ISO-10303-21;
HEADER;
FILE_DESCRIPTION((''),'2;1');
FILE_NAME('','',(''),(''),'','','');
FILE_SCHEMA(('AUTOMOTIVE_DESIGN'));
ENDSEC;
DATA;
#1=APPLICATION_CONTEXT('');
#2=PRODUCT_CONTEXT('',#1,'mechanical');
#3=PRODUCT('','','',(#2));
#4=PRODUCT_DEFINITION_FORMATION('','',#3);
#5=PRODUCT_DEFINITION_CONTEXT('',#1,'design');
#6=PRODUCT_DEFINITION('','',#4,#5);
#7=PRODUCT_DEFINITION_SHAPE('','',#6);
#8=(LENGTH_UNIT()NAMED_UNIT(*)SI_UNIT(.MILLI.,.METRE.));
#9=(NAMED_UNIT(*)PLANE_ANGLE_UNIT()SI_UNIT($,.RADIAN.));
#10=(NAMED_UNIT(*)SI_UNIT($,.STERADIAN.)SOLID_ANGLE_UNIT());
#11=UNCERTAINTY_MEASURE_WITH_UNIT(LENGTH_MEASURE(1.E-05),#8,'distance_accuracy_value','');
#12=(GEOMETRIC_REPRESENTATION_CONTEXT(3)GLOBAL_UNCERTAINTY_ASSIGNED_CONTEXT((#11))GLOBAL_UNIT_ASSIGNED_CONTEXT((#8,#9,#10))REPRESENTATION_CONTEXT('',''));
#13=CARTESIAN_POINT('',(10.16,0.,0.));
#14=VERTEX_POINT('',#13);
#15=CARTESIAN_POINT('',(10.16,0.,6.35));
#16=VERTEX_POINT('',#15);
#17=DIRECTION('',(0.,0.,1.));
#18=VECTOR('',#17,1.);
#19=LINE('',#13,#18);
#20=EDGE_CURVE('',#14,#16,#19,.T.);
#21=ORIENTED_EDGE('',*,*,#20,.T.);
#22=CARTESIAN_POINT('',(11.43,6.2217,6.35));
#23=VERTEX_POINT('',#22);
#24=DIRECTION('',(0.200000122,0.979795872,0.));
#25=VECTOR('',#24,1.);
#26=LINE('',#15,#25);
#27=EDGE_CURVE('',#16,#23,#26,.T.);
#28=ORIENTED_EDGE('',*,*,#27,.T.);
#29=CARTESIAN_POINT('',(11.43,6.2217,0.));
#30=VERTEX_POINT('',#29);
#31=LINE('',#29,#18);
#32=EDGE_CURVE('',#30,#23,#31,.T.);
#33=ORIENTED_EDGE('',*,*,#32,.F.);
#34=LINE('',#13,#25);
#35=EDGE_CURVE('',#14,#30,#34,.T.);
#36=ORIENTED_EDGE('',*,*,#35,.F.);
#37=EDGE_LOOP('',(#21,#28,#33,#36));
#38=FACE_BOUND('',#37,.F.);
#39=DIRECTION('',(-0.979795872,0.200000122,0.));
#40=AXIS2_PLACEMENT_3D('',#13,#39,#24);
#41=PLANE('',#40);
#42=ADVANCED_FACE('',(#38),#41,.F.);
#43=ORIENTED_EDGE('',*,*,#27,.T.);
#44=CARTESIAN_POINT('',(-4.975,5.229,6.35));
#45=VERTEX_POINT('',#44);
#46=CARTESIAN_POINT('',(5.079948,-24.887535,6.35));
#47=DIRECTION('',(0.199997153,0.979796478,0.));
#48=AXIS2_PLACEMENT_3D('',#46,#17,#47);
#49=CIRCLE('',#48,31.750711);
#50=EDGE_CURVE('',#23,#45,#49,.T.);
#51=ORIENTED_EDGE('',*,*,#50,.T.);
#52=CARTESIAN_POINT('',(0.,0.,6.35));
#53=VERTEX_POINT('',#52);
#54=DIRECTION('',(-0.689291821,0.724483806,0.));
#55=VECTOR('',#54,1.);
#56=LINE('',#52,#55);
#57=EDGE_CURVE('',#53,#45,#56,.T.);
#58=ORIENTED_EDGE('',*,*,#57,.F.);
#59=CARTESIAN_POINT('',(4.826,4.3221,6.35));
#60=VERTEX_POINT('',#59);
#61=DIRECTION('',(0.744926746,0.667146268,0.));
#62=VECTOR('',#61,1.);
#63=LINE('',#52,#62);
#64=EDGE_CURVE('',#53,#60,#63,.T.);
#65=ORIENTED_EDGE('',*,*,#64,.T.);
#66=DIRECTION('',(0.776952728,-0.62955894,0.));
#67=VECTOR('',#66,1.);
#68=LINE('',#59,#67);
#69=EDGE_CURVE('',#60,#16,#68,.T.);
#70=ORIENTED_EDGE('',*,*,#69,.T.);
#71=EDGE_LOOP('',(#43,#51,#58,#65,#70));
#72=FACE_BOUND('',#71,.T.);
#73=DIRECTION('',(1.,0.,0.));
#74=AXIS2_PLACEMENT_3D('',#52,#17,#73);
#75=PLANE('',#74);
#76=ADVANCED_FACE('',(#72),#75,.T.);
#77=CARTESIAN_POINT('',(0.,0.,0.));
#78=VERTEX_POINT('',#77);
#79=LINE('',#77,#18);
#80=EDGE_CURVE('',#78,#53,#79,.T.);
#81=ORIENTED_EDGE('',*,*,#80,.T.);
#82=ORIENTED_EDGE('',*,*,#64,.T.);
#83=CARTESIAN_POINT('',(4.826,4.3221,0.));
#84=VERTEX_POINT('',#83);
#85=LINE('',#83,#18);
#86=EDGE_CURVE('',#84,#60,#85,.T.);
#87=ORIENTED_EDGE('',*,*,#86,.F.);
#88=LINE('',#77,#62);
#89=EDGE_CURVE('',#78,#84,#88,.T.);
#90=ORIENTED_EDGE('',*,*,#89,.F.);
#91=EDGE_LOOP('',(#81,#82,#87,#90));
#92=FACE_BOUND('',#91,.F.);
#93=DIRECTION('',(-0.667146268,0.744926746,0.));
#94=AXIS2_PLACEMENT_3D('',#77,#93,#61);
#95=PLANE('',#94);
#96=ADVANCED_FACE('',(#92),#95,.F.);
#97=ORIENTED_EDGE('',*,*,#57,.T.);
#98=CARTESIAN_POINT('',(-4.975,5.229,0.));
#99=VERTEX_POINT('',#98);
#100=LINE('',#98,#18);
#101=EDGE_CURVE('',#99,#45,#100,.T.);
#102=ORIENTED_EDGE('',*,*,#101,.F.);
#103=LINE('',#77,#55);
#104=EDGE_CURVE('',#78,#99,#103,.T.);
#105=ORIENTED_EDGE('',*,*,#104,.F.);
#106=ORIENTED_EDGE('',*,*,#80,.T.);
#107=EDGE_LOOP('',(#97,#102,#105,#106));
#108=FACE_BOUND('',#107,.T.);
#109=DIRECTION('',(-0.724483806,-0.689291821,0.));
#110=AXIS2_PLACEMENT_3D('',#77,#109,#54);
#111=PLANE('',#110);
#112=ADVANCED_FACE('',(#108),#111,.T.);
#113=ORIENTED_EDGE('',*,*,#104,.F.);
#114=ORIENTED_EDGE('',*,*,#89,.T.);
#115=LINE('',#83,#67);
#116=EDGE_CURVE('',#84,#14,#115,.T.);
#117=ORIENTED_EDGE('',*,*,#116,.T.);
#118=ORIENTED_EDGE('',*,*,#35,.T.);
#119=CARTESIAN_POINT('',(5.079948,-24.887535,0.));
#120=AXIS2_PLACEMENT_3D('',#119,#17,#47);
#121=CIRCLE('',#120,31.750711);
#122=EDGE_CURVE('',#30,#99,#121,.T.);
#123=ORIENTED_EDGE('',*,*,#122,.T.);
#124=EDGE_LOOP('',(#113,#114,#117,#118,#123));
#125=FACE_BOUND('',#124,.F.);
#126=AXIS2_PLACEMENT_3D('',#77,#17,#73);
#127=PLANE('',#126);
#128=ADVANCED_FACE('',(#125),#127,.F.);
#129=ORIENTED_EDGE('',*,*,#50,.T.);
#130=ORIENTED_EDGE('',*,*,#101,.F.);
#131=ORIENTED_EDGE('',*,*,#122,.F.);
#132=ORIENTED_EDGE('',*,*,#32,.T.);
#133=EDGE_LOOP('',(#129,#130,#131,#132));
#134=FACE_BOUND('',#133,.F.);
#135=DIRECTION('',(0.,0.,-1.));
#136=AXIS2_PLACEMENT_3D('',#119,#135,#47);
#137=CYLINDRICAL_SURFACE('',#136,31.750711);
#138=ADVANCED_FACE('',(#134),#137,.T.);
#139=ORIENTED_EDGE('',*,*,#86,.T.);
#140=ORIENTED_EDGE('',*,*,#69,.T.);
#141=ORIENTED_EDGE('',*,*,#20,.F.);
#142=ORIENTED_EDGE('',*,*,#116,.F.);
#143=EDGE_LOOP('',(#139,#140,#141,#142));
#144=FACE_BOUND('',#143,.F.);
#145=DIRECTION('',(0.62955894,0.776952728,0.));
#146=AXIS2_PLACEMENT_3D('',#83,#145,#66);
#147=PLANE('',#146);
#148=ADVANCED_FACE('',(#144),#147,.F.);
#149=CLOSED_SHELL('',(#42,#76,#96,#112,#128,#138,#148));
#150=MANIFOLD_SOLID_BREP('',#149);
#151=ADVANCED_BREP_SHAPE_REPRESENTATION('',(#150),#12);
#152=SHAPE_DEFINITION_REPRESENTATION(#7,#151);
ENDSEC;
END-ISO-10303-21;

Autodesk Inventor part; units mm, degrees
ref_plane "YZ Plane" through (0, 0, 0) normal (1, 0, 0) x (0, 1, 0)
ref_plane "XZ Plane" through (0, 0, 0) normal (0, 1, 0) x (-1, 0, 0)
ref_plane "XY Plane" through (0, 0, 0) normal (0, 0, 1) x (1, 0, 0)
sketch "Sketch1" plane through (0, 0, 0) normal (0, 0, 1) x (1, 0, 0)
  line L0 (0, 0) -> (4.826, 4.3221)
  line L1 (4.826, 4.3221) -> (10.16, 0)
  line L2 (10.16, 0) -> (11.43, 6.2217)
  line L3 (0, 0) -> (-4.975, 5.229)
  arc A0 (11.43, 6.2217) -> (-4.975, 5.229) centre (5.08, -24.8868) ccw
  circle A1 centre (5.08, -24.8868) radius 25.4 construction
  circle A2 centre (5.08, -24.8868) radius 21.59 construction
  circle A3 centre (5.08, -49.6518) radius 1.5875
  line L4 (5.08, -49.6518) -> (5.08, -46.4768) construction
  line L5 (0, 0) -> (0, -3.2502)
  circle A4 centre (5.08, -24.8868) radius 22.225
  circle A5 centre (5.08, -49.6518) radius 3.81
  dimension "d40" = 43.18
  dimension "d0" = 31.75
  dimension "d2" = 50.8
  dimension "d3" = 29.21
  dimension "d4" = 30
  dimension "d5" = 10.16
  dimension "d6" = 5.334
  dimension "d43" = 3.175
  dimension "d44" = 3.175
  dimension "d53" = 44.45
  dimension "d54" = 7.62
extrude "Extrusion1" add sketch "Sketch1" along normal blind 6.35 contours L3 A0 L2 L1 L0
properties part number "BearingHolder2" material "ABS Plastic"
